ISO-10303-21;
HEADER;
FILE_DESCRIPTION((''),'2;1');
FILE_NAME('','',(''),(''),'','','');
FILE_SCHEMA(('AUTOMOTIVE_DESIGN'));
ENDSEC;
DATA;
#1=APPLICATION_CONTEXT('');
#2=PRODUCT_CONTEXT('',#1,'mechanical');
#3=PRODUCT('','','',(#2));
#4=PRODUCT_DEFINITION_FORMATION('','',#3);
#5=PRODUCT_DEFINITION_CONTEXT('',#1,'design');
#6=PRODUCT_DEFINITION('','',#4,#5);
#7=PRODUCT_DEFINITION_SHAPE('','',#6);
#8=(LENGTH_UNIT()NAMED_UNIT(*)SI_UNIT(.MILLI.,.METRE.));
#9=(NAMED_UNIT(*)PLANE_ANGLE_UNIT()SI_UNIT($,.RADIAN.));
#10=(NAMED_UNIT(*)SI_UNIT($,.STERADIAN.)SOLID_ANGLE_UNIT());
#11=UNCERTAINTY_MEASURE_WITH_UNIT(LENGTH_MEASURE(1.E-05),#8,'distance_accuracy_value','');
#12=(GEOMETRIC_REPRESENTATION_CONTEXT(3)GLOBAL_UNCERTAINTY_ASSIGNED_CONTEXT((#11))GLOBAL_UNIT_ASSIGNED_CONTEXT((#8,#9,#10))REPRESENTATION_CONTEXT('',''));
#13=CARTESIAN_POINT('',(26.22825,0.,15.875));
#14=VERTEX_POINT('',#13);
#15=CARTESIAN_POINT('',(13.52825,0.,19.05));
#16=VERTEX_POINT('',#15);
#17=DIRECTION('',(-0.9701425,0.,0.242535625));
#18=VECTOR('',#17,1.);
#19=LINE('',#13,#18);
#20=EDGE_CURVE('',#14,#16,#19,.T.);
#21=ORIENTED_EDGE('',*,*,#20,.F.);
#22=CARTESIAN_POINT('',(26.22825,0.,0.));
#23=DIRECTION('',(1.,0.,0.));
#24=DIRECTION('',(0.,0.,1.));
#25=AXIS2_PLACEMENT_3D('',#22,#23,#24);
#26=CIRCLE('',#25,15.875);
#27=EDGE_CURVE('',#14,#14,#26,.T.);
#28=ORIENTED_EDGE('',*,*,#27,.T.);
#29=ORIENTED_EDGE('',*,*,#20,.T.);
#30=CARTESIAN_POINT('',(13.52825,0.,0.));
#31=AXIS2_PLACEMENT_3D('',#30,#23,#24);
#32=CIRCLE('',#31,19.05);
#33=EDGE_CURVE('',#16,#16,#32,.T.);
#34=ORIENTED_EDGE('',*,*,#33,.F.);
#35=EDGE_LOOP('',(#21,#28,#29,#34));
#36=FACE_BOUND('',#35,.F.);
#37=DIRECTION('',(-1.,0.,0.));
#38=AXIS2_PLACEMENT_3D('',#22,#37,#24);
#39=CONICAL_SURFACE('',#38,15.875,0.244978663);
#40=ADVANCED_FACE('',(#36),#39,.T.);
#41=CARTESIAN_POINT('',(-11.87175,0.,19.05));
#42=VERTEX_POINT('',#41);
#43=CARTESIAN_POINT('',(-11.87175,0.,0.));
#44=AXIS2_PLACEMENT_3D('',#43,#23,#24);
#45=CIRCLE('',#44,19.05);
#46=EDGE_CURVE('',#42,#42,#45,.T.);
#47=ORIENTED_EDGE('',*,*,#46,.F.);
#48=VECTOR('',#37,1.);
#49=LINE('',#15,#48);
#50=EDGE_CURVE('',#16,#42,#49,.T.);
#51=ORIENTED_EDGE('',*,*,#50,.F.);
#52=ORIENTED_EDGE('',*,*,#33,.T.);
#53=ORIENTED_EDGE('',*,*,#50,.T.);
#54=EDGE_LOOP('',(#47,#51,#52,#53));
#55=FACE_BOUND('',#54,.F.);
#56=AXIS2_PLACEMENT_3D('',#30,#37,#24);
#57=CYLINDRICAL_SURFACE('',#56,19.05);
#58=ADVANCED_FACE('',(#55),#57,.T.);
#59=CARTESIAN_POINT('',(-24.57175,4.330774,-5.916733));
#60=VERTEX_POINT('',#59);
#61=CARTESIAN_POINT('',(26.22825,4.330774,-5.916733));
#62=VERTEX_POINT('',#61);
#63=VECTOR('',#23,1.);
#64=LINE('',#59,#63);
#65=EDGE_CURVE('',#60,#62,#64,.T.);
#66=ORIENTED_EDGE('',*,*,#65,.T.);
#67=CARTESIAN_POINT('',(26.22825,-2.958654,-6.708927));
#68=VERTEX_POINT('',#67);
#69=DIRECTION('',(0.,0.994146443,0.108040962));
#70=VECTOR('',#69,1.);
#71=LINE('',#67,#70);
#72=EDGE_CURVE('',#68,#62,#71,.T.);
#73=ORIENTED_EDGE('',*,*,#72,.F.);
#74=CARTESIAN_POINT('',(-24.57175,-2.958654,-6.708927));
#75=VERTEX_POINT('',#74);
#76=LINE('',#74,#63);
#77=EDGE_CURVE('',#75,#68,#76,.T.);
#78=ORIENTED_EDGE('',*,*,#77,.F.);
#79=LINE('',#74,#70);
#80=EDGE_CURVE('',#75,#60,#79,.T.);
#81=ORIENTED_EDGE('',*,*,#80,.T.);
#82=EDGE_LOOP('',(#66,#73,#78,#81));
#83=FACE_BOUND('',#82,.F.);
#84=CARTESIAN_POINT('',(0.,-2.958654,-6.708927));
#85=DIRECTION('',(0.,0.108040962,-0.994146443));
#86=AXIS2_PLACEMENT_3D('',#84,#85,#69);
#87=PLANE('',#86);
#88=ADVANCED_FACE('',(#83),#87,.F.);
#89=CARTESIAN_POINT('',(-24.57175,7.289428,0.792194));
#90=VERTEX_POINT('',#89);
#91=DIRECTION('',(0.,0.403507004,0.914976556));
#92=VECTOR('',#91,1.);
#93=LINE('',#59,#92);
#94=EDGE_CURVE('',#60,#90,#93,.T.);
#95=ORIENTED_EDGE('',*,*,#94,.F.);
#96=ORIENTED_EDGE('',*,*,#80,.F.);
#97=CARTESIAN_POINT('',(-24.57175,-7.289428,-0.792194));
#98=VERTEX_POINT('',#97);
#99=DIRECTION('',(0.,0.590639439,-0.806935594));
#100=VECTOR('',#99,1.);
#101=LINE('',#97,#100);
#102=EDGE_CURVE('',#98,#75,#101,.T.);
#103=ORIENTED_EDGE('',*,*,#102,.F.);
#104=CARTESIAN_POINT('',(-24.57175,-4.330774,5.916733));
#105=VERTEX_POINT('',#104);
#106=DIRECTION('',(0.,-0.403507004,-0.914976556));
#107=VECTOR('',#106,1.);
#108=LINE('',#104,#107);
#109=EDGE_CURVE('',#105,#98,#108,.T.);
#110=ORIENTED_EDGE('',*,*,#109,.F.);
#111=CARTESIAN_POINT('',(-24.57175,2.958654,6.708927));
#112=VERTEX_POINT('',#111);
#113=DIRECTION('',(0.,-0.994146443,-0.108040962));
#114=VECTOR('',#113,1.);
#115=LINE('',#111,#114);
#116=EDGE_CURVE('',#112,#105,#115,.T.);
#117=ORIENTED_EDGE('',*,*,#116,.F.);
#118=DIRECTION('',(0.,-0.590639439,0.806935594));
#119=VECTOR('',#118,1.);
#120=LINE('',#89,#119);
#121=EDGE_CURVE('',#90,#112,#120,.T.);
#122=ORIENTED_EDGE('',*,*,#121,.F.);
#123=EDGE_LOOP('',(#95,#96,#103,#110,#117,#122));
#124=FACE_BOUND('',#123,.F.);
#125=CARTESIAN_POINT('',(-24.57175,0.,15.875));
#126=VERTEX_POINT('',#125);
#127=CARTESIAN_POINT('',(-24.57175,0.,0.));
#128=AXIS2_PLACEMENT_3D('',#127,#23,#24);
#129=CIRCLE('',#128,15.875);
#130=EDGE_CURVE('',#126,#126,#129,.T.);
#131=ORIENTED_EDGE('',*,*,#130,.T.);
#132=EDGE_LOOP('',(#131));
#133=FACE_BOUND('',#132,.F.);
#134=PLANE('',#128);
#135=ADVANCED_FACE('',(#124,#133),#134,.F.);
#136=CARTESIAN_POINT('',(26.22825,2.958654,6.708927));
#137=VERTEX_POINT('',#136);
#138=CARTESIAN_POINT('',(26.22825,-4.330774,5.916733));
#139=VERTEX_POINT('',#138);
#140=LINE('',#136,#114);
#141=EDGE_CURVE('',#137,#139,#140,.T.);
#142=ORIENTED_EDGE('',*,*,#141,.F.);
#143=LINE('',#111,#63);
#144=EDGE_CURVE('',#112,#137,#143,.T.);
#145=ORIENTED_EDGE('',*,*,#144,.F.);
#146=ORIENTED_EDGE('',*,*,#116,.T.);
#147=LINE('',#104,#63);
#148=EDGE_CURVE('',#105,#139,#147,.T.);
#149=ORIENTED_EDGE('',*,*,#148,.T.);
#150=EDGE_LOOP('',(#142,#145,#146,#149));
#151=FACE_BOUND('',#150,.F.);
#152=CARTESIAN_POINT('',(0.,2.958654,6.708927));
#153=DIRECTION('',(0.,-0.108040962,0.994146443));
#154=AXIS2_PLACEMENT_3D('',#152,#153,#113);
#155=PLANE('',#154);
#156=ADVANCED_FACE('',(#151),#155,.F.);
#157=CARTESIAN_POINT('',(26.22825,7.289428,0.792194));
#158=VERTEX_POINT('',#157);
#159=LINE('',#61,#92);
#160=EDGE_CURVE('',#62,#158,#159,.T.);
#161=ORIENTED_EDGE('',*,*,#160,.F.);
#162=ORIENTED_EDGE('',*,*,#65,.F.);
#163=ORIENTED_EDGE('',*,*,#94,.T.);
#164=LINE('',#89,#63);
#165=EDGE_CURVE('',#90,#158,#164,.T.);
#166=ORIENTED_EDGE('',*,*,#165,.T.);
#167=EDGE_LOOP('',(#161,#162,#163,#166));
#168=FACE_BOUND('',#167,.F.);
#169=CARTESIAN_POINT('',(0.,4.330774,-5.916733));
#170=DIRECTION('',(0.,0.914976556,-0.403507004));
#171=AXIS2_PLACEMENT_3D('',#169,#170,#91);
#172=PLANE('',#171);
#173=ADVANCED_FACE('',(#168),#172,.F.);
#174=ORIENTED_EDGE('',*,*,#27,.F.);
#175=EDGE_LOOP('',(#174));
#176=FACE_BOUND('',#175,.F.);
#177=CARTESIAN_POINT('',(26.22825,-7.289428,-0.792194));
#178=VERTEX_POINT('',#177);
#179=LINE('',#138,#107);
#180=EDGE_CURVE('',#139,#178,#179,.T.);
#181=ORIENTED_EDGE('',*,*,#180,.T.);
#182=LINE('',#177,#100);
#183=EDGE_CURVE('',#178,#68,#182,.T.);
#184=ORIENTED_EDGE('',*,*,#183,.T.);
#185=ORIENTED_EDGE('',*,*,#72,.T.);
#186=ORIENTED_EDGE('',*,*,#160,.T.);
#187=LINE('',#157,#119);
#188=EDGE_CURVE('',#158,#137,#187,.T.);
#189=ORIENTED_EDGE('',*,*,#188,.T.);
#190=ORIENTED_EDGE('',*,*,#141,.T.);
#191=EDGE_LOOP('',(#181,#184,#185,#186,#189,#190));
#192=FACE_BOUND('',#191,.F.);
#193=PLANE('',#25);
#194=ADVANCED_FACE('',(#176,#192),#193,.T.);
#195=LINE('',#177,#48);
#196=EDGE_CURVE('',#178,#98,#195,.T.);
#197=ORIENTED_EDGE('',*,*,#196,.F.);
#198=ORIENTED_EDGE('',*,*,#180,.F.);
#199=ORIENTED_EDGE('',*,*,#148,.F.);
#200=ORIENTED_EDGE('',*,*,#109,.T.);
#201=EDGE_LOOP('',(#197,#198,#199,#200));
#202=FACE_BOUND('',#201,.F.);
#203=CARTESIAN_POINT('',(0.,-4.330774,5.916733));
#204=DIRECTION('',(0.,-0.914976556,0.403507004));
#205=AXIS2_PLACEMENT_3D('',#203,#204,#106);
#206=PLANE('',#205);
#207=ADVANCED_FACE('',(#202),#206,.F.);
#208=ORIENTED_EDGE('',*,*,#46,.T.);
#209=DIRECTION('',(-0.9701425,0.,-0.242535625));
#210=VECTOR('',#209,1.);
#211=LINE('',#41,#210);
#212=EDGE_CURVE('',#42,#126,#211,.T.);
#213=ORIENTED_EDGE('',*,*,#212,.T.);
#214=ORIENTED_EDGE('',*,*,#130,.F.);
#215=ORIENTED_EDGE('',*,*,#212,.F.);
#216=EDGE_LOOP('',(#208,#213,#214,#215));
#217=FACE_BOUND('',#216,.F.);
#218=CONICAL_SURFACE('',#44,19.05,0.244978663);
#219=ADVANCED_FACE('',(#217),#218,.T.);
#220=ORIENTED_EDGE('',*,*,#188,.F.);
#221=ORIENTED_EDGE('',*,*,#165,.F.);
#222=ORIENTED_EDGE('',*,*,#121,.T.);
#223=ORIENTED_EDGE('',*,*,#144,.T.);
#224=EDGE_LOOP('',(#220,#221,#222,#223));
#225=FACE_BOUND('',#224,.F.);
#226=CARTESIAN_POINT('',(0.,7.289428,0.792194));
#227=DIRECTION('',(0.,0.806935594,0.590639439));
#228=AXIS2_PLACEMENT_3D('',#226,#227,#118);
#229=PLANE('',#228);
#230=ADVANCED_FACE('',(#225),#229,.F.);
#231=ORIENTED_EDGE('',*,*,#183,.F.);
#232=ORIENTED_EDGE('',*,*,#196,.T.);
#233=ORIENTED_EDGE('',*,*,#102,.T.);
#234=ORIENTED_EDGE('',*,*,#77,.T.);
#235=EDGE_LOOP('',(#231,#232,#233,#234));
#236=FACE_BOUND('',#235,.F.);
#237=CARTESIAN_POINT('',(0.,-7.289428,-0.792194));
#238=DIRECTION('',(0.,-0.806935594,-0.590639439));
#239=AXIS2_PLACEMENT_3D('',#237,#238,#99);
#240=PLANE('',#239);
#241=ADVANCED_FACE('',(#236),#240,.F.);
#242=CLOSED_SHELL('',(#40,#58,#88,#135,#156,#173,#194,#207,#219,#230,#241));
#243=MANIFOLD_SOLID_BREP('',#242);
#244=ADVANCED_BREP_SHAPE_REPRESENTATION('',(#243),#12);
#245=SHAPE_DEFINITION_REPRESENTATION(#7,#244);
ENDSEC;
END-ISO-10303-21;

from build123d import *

# Parameters (mm, degrees)
F3_DEPTH      = 50.8
F3_DEPTH_BACK = 50.8


with BuildPart() as f1:
    # F0 (on Front) → F1 (revolve)
    with BuildSketch(Plane.XZ):
        Polygon((-24.5717495672, 15.875), (-24.5717495672, 6.35), (26.2282504328, 6.35), (26.2282504328, 15.875), (13.5282504328, 19.05), (-11.8717495672, 19.05), align=None)
    revolve(axis=Axis((0.4141309397, 0, 0), (1, 0, 0)))

    # F2 (on Right) → F3 (cut, two sides)
    with BuildSketch(Plane.YZ) as f3_sk:
        Polygon((7.2894281006, 0.7921939781), (2.9586539406, 6.7089269033), (-4.3307741601, 5.9167329252), (-7.2894281006, -0.7921939781), (-2.9586539406, -6.7089269033), (4.3307741601, -5.9167329252), align=None)
    extrude(amount=-F3_DEPTH, mode=Mode.SUBTRACT)
    extrude(f3_sk.sketch, amount=F3_DEPTH_BACK, mode=Mode.SUBTRACT)


solid = f1.part
